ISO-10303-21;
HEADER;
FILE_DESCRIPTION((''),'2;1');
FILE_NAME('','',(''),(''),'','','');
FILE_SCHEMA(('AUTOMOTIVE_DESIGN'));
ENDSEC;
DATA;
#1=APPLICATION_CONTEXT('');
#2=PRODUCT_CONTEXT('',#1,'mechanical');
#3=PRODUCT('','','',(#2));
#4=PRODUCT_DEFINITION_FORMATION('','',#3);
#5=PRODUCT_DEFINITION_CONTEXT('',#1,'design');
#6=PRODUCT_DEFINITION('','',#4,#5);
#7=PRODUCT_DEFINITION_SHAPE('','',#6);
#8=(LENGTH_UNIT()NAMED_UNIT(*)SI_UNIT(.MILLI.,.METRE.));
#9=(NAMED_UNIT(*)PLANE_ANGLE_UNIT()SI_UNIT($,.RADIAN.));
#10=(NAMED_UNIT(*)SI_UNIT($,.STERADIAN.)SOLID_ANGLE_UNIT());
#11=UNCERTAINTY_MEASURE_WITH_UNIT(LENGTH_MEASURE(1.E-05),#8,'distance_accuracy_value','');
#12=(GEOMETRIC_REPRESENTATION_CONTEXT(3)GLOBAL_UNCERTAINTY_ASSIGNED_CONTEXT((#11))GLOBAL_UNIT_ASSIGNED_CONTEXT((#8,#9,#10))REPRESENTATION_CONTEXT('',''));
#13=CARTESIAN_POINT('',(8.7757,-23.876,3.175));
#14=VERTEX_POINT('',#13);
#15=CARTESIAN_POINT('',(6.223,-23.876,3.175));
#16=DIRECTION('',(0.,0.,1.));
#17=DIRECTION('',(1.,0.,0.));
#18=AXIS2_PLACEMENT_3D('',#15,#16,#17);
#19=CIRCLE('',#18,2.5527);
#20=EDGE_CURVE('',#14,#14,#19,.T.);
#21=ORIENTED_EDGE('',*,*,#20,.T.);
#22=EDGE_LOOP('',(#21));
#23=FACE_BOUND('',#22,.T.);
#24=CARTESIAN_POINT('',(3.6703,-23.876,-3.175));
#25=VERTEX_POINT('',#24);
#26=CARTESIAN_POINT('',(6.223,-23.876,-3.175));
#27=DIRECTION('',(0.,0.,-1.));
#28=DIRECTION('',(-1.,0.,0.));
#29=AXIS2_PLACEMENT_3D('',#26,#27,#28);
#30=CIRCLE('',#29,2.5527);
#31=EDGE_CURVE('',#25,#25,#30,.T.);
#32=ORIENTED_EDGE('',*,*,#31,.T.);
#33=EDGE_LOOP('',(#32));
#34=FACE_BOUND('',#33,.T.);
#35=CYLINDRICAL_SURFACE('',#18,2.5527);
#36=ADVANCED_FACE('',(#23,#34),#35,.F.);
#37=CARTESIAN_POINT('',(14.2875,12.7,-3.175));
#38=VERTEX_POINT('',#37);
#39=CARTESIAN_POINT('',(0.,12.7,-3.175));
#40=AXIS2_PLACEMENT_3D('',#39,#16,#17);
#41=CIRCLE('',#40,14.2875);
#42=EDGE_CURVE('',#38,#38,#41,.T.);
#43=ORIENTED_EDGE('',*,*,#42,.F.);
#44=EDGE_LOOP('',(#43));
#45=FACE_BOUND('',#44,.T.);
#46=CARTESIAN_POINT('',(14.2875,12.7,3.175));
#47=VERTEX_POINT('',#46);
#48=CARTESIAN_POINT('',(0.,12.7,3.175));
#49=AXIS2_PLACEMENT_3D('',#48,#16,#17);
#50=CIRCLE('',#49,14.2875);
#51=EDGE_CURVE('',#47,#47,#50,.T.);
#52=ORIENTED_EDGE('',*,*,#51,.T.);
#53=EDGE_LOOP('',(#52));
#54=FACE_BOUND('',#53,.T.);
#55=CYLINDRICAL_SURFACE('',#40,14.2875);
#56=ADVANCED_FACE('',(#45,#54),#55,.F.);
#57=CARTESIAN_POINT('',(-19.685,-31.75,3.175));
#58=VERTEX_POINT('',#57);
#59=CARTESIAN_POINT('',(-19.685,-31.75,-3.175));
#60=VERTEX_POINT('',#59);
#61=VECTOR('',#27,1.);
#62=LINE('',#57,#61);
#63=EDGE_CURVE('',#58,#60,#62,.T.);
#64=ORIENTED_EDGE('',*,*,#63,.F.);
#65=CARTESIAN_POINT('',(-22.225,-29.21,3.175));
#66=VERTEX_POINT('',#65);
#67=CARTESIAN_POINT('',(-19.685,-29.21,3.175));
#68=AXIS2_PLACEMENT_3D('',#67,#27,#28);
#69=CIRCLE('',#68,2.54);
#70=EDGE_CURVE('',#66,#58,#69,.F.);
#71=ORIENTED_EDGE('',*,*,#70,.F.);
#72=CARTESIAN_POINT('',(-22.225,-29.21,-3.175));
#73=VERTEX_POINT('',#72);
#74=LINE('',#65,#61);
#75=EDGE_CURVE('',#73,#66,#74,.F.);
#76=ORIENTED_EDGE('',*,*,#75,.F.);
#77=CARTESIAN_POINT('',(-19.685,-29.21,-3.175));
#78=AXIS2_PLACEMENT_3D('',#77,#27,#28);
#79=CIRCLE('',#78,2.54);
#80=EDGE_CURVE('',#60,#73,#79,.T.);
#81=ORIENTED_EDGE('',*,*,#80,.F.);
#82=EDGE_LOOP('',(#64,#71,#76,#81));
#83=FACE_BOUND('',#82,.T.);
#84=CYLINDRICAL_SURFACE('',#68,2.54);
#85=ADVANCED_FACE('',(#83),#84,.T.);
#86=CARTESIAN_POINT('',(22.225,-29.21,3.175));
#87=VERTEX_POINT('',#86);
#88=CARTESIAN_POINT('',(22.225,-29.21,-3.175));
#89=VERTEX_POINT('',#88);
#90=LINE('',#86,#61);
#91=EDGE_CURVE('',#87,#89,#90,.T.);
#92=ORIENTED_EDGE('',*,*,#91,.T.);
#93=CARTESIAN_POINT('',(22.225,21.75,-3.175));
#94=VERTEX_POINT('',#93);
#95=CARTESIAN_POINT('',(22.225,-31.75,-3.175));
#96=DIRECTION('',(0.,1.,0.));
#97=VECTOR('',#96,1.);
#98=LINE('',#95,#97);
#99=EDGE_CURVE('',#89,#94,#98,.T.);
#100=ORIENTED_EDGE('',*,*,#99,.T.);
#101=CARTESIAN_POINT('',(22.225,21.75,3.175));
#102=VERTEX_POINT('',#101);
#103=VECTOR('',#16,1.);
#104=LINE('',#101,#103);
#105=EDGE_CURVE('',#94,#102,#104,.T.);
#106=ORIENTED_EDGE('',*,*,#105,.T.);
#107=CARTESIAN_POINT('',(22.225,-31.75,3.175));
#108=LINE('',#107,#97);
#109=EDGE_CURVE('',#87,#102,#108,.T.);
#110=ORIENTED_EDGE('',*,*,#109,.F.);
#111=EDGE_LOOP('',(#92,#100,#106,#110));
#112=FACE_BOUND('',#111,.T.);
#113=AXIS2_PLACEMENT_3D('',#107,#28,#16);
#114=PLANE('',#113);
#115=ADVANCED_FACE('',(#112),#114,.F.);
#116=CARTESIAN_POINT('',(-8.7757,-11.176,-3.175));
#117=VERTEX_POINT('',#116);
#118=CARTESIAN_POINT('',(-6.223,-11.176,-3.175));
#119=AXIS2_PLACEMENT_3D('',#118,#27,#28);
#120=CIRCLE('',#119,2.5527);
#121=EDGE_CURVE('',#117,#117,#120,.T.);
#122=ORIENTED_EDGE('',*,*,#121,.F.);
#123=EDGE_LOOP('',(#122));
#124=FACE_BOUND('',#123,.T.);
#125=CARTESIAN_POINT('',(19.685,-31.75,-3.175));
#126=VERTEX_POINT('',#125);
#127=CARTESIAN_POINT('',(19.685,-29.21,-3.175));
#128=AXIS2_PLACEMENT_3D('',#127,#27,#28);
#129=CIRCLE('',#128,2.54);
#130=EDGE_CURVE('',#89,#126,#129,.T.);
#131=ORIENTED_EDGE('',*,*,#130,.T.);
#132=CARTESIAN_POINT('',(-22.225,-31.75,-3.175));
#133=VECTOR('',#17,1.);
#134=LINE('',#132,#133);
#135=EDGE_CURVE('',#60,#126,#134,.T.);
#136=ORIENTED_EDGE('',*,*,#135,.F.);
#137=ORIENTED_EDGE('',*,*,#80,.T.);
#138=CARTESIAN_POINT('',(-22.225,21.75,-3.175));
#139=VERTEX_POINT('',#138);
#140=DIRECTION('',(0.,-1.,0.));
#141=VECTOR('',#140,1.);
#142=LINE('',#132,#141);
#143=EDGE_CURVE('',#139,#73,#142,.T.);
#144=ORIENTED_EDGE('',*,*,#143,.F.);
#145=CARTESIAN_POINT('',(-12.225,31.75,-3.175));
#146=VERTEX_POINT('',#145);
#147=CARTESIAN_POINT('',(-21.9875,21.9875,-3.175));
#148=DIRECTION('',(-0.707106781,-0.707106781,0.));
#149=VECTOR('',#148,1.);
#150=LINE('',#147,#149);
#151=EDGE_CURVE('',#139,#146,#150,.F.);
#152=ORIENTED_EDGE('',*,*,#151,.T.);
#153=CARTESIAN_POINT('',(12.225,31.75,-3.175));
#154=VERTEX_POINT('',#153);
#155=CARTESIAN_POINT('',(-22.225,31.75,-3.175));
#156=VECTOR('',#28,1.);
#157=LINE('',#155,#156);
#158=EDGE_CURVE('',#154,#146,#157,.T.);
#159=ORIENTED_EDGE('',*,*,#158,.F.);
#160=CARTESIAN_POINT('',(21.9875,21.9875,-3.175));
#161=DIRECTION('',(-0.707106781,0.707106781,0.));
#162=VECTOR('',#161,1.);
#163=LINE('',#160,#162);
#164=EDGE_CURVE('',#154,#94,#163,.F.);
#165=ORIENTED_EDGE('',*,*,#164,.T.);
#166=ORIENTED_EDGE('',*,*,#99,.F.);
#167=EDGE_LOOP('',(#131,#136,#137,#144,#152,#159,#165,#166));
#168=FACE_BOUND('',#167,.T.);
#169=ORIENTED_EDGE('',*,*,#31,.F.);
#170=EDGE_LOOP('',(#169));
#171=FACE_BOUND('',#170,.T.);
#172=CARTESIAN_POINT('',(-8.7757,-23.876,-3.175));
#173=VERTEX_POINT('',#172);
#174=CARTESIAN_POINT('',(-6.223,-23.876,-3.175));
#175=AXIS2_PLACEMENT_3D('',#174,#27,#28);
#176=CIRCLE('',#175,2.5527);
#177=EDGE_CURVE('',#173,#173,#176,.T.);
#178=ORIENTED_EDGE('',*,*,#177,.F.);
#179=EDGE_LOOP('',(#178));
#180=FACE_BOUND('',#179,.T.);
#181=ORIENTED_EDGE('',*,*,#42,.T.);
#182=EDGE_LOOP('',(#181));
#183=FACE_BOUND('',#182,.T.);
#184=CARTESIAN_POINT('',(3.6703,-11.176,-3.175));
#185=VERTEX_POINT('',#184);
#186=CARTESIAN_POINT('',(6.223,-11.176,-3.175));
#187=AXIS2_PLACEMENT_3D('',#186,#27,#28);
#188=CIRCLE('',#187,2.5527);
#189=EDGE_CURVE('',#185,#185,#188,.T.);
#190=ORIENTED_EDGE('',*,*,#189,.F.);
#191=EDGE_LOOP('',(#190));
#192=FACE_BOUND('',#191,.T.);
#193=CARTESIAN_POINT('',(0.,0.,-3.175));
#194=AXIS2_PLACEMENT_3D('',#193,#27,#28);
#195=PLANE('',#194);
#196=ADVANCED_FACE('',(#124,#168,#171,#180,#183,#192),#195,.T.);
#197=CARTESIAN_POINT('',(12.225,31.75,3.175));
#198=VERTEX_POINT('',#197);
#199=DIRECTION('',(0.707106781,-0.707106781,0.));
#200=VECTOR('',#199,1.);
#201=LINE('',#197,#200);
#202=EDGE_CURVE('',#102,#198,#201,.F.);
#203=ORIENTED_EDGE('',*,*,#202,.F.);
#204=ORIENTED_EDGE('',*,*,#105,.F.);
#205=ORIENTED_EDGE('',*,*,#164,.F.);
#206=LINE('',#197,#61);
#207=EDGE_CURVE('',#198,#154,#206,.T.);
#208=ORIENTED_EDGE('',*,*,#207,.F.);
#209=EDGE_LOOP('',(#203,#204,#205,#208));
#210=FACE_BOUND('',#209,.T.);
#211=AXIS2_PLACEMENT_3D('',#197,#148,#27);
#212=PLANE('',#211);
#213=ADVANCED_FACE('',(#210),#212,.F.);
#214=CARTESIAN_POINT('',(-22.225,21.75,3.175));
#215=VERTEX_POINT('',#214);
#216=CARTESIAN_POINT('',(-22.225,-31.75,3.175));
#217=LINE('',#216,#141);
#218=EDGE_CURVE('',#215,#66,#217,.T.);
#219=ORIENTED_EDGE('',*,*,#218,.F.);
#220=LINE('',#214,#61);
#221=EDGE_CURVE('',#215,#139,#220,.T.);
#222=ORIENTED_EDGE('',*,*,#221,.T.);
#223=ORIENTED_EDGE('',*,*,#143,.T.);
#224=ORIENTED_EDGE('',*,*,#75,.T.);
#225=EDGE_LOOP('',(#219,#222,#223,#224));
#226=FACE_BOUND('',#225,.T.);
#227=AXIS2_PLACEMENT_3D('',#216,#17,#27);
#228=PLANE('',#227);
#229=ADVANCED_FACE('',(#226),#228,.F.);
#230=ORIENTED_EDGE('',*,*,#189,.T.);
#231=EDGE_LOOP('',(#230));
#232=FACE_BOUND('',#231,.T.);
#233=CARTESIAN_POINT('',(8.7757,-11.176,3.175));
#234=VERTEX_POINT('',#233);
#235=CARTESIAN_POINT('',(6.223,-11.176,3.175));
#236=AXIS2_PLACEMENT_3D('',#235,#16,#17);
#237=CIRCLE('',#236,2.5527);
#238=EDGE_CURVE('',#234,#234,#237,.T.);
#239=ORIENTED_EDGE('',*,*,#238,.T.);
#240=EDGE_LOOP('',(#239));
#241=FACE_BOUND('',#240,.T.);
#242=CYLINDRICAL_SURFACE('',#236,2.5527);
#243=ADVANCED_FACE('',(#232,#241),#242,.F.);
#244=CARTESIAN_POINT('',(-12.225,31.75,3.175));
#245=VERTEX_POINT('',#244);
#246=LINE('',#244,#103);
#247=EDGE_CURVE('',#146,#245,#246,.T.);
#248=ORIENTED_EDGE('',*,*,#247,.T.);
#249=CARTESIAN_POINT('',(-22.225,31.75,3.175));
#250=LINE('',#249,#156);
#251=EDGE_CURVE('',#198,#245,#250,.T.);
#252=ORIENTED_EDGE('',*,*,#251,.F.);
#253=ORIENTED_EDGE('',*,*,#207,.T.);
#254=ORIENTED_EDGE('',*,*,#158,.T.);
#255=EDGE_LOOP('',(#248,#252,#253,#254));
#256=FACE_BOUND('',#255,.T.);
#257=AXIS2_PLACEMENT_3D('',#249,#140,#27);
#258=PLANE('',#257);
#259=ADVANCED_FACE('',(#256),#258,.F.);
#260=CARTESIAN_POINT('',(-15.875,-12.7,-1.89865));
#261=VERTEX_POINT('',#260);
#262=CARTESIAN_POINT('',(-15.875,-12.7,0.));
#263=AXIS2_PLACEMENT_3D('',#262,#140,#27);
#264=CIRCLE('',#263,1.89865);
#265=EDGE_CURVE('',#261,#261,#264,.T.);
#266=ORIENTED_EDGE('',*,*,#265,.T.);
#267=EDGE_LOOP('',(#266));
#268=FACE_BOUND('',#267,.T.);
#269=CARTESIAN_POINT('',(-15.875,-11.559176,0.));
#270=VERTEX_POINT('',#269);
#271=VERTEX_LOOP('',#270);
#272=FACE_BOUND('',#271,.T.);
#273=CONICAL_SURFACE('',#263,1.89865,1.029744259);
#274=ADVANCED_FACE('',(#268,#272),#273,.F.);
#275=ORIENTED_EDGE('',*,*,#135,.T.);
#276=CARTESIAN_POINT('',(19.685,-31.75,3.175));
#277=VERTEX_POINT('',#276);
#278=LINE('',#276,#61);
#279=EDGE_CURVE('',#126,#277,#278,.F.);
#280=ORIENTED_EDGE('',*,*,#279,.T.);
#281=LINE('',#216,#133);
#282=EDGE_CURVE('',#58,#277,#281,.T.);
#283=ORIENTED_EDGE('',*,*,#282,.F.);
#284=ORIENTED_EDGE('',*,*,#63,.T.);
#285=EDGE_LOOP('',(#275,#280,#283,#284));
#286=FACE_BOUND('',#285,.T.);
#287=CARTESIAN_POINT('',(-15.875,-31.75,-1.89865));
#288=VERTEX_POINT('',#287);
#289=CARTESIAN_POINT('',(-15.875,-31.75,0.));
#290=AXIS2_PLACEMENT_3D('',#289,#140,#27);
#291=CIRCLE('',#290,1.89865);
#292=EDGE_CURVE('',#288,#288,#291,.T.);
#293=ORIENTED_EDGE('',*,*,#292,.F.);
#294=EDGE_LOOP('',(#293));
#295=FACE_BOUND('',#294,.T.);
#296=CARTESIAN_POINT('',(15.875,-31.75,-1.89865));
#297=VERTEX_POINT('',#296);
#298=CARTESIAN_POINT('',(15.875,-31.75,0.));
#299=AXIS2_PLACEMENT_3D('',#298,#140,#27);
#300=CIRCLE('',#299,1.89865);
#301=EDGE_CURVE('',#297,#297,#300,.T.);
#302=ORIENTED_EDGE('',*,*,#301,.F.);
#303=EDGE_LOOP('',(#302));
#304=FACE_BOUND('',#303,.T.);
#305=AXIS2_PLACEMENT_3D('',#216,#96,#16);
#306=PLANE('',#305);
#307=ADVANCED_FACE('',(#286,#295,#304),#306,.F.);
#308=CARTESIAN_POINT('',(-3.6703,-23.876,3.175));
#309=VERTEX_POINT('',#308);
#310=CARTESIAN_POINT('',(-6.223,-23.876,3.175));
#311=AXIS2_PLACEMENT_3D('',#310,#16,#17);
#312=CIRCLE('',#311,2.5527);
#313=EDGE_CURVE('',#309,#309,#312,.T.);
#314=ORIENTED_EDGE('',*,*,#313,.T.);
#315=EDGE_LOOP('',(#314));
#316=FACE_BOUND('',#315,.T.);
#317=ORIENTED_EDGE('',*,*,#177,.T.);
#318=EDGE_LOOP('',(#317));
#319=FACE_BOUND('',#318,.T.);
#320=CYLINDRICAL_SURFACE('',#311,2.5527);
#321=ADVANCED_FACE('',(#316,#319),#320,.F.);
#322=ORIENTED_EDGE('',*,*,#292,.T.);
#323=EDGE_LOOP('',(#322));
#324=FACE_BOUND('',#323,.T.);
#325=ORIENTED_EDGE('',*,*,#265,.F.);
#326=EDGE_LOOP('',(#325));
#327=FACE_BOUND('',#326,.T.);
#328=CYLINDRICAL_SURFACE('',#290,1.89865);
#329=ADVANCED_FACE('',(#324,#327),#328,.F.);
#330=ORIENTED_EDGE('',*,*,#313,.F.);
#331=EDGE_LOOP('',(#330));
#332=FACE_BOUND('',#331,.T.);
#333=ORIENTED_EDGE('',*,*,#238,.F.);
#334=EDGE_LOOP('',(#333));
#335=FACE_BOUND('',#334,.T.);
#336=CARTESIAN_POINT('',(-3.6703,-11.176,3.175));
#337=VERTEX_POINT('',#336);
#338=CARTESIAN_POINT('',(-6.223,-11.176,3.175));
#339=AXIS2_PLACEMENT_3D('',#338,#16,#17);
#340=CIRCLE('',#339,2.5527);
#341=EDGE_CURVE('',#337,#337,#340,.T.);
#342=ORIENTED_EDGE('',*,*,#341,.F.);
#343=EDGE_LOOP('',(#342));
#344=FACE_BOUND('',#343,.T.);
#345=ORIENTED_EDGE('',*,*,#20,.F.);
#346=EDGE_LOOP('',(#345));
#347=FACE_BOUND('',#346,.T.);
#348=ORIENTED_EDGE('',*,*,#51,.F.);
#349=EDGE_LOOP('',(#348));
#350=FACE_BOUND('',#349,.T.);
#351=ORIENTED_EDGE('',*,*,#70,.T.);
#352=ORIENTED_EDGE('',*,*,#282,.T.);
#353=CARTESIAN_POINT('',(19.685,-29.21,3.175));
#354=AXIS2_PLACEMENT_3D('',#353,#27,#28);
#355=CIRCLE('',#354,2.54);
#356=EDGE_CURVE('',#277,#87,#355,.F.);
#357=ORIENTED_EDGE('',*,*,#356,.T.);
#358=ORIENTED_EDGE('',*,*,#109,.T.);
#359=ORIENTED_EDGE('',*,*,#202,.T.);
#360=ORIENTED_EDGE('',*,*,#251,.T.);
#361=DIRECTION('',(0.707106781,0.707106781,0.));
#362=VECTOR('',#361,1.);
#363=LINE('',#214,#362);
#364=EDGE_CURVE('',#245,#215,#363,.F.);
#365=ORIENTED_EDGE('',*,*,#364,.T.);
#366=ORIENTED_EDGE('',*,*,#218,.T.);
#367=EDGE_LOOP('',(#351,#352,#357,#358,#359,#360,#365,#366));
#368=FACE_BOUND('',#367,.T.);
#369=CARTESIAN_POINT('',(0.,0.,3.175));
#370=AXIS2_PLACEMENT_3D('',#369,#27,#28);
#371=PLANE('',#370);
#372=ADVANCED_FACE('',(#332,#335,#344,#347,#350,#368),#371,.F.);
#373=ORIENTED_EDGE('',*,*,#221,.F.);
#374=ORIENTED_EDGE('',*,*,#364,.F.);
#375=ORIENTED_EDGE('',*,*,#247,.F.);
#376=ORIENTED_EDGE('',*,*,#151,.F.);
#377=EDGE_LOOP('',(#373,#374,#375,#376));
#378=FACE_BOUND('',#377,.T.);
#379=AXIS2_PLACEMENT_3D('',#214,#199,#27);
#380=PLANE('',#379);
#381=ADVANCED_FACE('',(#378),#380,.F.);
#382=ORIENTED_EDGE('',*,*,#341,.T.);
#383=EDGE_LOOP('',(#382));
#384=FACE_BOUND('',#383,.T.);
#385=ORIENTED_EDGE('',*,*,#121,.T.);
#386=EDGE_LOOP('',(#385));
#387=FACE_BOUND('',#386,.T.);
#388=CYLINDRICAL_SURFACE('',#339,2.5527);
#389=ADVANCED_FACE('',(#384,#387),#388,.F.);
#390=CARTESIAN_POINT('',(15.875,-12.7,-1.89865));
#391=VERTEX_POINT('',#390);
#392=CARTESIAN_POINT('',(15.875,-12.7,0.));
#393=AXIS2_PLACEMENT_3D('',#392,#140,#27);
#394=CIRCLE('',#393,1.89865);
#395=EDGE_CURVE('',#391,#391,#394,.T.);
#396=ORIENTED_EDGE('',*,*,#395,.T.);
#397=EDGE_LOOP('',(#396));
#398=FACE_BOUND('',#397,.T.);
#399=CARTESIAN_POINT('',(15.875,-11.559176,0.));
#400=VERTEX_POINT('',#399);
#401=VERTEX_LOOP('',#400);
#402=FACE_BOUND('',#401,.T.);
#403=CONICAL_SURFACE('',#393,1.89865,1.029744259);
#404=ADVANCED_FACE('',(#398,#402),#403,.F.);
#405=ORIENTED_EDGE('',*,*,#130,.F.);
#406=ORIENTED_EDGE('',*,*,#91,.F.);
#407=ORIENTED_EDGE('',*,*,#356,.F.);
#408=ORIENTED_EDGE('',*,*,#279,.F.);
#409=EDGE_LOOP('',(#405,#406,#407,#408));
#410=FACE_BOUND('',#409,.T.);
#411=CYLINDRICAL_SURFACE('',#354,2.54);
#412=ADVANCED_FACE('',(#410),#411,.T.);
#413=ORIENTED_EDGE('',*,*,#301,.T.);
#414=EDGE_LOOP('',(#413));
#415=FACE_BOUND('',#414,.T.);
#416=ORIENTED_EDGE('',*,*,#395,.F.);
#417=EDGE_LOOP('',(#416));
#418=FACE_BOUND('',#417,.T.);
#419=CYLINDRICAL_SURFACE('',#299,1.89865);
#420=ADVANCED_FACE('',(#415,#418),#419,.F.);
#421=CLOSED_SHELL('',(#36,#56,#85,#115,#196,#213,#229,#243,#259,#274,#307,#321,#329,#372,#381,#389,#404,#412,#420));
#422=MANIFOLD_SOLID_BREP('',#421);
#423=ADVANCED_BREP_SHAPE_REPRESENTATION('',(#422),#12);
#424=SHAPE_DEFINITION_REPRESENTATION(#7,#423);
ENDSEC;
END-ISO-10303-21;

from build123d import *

# Parameters (mm, degrees)
SKETCH1_W                      = 44.45
SKETCH1_H                      = 63.5
BOSS_EXTRUDE1_DEPTH            = 3.175
CHAMFER1_SIZE                  = 10
SKETCH2_R                      = 14.2875
CUT_EXTRUDE1_DEPTH             = 40.272581084
TAP_DRILL_FOR_10_24_TAP1_D     = 3.7973
TAP_DRILL_FOR_10_24_TAP1_DEPTH = 19.05
TAP_DRILL_FOR_10_24_TAP1_TIP   = 1.140824014
F_10_CLEARANCE_HOLE1_D         = 5.1054
F_10_CLEARANCE_HOLE1_DEPTH     = 12.7
F_10_CLEARANCE_HOLE1_TIP       = 1.533816902
FILLET1_R                      = 2.54


with BuildPart() as part:
    # Sketch1 → Boss-Extrude1 (new, symmetric)
    with BuildSketch(Plane.XY):
        Rectangle(SKETCH1_W, SKETCH1_H)
    extrude(amount=BOSS_EXTRUDE1_DEPTH, both=True)

    # Chamfer1
    chamfer1_edges = [part.edges().sort_by_distance(p)[0] for p in [
        (-22.225, 31.75, 0),
        (22.225, 31.75, 0),
    ]]
    chamfer(chamfer1_edges, length=CHAMFER1_SIZE)

    # Sketch2 → Cut-Extrude1 (cut, through all)
    with BuildSketch(Plane.XY.offset(3.175)):
        with Locations((0, 12.7)):
            Circle(SKETCH2_R)
    extrude(amount=-CUT_EXTRUDE1_DEPTH, mode=Mode.SUBTRACT)

    # Tap Drill for #10-24 Tap1
    with Locations(Plane(origin=(0, -31.75, 0), x_dir=(-1, 0, 0), z_dir=(0, -1, 0))):
        with Locations((15.875, 0), (-15.875, 0)):
            Hole(TAP_DRILL_FOR_10_24_TAP1_D / 2, depth=TAP_DRILL_FOR_10_24_TAP1_DEPTH)
            with Locations((0, 0, -(TAP_DRILL_FOR_10_24_TAP1_DEPTH + TAP_DRILL_FOR_10_24_TAP1_TIP / 2))):  # 118° drill point
                Cone(0, TAP_DRILL_FOR_10_24_TAP1_D / 2, TAP_DRILL_FOR_10_24_TAP1_TIP, mode=Mode.SUBTRACT)

    # #10 Clearance Hole1
    with Locations(Plane.XY.offset(3.175)):
        with Locations((-6.223, -11.176), (6.223, -11.176), (6.223, -23.876), (-6.223, -23.876)):
            Hole(F_10_CLEARANCE_HOLE1_D / 2, depth=F_10_CLEARANCE_HOLE1_DEPTH)
            with Locations((0, 0, -(F_10_CLEARANCE_HOLE1_DEPTH + F_10_CLEARANCE_HOLE1_TIP / 2))):  # 118° drill point
                Cone(0, F_10_CLEARANCE_HOLE1_D / 2, F_10_CLEARANCE_HOLE1_TIP, mode=Mode.SUBTRACT)

    # Fillet1
    fillet1_edges = [part.edges().sort_by_distance(p)[0] for p in [
        (22.225, -31.75, 0),
        (-22.225, -31.75, 0),
    ]]
    fillet(fillet1_edges, radius=FILLET1_R)


solid = part.part
